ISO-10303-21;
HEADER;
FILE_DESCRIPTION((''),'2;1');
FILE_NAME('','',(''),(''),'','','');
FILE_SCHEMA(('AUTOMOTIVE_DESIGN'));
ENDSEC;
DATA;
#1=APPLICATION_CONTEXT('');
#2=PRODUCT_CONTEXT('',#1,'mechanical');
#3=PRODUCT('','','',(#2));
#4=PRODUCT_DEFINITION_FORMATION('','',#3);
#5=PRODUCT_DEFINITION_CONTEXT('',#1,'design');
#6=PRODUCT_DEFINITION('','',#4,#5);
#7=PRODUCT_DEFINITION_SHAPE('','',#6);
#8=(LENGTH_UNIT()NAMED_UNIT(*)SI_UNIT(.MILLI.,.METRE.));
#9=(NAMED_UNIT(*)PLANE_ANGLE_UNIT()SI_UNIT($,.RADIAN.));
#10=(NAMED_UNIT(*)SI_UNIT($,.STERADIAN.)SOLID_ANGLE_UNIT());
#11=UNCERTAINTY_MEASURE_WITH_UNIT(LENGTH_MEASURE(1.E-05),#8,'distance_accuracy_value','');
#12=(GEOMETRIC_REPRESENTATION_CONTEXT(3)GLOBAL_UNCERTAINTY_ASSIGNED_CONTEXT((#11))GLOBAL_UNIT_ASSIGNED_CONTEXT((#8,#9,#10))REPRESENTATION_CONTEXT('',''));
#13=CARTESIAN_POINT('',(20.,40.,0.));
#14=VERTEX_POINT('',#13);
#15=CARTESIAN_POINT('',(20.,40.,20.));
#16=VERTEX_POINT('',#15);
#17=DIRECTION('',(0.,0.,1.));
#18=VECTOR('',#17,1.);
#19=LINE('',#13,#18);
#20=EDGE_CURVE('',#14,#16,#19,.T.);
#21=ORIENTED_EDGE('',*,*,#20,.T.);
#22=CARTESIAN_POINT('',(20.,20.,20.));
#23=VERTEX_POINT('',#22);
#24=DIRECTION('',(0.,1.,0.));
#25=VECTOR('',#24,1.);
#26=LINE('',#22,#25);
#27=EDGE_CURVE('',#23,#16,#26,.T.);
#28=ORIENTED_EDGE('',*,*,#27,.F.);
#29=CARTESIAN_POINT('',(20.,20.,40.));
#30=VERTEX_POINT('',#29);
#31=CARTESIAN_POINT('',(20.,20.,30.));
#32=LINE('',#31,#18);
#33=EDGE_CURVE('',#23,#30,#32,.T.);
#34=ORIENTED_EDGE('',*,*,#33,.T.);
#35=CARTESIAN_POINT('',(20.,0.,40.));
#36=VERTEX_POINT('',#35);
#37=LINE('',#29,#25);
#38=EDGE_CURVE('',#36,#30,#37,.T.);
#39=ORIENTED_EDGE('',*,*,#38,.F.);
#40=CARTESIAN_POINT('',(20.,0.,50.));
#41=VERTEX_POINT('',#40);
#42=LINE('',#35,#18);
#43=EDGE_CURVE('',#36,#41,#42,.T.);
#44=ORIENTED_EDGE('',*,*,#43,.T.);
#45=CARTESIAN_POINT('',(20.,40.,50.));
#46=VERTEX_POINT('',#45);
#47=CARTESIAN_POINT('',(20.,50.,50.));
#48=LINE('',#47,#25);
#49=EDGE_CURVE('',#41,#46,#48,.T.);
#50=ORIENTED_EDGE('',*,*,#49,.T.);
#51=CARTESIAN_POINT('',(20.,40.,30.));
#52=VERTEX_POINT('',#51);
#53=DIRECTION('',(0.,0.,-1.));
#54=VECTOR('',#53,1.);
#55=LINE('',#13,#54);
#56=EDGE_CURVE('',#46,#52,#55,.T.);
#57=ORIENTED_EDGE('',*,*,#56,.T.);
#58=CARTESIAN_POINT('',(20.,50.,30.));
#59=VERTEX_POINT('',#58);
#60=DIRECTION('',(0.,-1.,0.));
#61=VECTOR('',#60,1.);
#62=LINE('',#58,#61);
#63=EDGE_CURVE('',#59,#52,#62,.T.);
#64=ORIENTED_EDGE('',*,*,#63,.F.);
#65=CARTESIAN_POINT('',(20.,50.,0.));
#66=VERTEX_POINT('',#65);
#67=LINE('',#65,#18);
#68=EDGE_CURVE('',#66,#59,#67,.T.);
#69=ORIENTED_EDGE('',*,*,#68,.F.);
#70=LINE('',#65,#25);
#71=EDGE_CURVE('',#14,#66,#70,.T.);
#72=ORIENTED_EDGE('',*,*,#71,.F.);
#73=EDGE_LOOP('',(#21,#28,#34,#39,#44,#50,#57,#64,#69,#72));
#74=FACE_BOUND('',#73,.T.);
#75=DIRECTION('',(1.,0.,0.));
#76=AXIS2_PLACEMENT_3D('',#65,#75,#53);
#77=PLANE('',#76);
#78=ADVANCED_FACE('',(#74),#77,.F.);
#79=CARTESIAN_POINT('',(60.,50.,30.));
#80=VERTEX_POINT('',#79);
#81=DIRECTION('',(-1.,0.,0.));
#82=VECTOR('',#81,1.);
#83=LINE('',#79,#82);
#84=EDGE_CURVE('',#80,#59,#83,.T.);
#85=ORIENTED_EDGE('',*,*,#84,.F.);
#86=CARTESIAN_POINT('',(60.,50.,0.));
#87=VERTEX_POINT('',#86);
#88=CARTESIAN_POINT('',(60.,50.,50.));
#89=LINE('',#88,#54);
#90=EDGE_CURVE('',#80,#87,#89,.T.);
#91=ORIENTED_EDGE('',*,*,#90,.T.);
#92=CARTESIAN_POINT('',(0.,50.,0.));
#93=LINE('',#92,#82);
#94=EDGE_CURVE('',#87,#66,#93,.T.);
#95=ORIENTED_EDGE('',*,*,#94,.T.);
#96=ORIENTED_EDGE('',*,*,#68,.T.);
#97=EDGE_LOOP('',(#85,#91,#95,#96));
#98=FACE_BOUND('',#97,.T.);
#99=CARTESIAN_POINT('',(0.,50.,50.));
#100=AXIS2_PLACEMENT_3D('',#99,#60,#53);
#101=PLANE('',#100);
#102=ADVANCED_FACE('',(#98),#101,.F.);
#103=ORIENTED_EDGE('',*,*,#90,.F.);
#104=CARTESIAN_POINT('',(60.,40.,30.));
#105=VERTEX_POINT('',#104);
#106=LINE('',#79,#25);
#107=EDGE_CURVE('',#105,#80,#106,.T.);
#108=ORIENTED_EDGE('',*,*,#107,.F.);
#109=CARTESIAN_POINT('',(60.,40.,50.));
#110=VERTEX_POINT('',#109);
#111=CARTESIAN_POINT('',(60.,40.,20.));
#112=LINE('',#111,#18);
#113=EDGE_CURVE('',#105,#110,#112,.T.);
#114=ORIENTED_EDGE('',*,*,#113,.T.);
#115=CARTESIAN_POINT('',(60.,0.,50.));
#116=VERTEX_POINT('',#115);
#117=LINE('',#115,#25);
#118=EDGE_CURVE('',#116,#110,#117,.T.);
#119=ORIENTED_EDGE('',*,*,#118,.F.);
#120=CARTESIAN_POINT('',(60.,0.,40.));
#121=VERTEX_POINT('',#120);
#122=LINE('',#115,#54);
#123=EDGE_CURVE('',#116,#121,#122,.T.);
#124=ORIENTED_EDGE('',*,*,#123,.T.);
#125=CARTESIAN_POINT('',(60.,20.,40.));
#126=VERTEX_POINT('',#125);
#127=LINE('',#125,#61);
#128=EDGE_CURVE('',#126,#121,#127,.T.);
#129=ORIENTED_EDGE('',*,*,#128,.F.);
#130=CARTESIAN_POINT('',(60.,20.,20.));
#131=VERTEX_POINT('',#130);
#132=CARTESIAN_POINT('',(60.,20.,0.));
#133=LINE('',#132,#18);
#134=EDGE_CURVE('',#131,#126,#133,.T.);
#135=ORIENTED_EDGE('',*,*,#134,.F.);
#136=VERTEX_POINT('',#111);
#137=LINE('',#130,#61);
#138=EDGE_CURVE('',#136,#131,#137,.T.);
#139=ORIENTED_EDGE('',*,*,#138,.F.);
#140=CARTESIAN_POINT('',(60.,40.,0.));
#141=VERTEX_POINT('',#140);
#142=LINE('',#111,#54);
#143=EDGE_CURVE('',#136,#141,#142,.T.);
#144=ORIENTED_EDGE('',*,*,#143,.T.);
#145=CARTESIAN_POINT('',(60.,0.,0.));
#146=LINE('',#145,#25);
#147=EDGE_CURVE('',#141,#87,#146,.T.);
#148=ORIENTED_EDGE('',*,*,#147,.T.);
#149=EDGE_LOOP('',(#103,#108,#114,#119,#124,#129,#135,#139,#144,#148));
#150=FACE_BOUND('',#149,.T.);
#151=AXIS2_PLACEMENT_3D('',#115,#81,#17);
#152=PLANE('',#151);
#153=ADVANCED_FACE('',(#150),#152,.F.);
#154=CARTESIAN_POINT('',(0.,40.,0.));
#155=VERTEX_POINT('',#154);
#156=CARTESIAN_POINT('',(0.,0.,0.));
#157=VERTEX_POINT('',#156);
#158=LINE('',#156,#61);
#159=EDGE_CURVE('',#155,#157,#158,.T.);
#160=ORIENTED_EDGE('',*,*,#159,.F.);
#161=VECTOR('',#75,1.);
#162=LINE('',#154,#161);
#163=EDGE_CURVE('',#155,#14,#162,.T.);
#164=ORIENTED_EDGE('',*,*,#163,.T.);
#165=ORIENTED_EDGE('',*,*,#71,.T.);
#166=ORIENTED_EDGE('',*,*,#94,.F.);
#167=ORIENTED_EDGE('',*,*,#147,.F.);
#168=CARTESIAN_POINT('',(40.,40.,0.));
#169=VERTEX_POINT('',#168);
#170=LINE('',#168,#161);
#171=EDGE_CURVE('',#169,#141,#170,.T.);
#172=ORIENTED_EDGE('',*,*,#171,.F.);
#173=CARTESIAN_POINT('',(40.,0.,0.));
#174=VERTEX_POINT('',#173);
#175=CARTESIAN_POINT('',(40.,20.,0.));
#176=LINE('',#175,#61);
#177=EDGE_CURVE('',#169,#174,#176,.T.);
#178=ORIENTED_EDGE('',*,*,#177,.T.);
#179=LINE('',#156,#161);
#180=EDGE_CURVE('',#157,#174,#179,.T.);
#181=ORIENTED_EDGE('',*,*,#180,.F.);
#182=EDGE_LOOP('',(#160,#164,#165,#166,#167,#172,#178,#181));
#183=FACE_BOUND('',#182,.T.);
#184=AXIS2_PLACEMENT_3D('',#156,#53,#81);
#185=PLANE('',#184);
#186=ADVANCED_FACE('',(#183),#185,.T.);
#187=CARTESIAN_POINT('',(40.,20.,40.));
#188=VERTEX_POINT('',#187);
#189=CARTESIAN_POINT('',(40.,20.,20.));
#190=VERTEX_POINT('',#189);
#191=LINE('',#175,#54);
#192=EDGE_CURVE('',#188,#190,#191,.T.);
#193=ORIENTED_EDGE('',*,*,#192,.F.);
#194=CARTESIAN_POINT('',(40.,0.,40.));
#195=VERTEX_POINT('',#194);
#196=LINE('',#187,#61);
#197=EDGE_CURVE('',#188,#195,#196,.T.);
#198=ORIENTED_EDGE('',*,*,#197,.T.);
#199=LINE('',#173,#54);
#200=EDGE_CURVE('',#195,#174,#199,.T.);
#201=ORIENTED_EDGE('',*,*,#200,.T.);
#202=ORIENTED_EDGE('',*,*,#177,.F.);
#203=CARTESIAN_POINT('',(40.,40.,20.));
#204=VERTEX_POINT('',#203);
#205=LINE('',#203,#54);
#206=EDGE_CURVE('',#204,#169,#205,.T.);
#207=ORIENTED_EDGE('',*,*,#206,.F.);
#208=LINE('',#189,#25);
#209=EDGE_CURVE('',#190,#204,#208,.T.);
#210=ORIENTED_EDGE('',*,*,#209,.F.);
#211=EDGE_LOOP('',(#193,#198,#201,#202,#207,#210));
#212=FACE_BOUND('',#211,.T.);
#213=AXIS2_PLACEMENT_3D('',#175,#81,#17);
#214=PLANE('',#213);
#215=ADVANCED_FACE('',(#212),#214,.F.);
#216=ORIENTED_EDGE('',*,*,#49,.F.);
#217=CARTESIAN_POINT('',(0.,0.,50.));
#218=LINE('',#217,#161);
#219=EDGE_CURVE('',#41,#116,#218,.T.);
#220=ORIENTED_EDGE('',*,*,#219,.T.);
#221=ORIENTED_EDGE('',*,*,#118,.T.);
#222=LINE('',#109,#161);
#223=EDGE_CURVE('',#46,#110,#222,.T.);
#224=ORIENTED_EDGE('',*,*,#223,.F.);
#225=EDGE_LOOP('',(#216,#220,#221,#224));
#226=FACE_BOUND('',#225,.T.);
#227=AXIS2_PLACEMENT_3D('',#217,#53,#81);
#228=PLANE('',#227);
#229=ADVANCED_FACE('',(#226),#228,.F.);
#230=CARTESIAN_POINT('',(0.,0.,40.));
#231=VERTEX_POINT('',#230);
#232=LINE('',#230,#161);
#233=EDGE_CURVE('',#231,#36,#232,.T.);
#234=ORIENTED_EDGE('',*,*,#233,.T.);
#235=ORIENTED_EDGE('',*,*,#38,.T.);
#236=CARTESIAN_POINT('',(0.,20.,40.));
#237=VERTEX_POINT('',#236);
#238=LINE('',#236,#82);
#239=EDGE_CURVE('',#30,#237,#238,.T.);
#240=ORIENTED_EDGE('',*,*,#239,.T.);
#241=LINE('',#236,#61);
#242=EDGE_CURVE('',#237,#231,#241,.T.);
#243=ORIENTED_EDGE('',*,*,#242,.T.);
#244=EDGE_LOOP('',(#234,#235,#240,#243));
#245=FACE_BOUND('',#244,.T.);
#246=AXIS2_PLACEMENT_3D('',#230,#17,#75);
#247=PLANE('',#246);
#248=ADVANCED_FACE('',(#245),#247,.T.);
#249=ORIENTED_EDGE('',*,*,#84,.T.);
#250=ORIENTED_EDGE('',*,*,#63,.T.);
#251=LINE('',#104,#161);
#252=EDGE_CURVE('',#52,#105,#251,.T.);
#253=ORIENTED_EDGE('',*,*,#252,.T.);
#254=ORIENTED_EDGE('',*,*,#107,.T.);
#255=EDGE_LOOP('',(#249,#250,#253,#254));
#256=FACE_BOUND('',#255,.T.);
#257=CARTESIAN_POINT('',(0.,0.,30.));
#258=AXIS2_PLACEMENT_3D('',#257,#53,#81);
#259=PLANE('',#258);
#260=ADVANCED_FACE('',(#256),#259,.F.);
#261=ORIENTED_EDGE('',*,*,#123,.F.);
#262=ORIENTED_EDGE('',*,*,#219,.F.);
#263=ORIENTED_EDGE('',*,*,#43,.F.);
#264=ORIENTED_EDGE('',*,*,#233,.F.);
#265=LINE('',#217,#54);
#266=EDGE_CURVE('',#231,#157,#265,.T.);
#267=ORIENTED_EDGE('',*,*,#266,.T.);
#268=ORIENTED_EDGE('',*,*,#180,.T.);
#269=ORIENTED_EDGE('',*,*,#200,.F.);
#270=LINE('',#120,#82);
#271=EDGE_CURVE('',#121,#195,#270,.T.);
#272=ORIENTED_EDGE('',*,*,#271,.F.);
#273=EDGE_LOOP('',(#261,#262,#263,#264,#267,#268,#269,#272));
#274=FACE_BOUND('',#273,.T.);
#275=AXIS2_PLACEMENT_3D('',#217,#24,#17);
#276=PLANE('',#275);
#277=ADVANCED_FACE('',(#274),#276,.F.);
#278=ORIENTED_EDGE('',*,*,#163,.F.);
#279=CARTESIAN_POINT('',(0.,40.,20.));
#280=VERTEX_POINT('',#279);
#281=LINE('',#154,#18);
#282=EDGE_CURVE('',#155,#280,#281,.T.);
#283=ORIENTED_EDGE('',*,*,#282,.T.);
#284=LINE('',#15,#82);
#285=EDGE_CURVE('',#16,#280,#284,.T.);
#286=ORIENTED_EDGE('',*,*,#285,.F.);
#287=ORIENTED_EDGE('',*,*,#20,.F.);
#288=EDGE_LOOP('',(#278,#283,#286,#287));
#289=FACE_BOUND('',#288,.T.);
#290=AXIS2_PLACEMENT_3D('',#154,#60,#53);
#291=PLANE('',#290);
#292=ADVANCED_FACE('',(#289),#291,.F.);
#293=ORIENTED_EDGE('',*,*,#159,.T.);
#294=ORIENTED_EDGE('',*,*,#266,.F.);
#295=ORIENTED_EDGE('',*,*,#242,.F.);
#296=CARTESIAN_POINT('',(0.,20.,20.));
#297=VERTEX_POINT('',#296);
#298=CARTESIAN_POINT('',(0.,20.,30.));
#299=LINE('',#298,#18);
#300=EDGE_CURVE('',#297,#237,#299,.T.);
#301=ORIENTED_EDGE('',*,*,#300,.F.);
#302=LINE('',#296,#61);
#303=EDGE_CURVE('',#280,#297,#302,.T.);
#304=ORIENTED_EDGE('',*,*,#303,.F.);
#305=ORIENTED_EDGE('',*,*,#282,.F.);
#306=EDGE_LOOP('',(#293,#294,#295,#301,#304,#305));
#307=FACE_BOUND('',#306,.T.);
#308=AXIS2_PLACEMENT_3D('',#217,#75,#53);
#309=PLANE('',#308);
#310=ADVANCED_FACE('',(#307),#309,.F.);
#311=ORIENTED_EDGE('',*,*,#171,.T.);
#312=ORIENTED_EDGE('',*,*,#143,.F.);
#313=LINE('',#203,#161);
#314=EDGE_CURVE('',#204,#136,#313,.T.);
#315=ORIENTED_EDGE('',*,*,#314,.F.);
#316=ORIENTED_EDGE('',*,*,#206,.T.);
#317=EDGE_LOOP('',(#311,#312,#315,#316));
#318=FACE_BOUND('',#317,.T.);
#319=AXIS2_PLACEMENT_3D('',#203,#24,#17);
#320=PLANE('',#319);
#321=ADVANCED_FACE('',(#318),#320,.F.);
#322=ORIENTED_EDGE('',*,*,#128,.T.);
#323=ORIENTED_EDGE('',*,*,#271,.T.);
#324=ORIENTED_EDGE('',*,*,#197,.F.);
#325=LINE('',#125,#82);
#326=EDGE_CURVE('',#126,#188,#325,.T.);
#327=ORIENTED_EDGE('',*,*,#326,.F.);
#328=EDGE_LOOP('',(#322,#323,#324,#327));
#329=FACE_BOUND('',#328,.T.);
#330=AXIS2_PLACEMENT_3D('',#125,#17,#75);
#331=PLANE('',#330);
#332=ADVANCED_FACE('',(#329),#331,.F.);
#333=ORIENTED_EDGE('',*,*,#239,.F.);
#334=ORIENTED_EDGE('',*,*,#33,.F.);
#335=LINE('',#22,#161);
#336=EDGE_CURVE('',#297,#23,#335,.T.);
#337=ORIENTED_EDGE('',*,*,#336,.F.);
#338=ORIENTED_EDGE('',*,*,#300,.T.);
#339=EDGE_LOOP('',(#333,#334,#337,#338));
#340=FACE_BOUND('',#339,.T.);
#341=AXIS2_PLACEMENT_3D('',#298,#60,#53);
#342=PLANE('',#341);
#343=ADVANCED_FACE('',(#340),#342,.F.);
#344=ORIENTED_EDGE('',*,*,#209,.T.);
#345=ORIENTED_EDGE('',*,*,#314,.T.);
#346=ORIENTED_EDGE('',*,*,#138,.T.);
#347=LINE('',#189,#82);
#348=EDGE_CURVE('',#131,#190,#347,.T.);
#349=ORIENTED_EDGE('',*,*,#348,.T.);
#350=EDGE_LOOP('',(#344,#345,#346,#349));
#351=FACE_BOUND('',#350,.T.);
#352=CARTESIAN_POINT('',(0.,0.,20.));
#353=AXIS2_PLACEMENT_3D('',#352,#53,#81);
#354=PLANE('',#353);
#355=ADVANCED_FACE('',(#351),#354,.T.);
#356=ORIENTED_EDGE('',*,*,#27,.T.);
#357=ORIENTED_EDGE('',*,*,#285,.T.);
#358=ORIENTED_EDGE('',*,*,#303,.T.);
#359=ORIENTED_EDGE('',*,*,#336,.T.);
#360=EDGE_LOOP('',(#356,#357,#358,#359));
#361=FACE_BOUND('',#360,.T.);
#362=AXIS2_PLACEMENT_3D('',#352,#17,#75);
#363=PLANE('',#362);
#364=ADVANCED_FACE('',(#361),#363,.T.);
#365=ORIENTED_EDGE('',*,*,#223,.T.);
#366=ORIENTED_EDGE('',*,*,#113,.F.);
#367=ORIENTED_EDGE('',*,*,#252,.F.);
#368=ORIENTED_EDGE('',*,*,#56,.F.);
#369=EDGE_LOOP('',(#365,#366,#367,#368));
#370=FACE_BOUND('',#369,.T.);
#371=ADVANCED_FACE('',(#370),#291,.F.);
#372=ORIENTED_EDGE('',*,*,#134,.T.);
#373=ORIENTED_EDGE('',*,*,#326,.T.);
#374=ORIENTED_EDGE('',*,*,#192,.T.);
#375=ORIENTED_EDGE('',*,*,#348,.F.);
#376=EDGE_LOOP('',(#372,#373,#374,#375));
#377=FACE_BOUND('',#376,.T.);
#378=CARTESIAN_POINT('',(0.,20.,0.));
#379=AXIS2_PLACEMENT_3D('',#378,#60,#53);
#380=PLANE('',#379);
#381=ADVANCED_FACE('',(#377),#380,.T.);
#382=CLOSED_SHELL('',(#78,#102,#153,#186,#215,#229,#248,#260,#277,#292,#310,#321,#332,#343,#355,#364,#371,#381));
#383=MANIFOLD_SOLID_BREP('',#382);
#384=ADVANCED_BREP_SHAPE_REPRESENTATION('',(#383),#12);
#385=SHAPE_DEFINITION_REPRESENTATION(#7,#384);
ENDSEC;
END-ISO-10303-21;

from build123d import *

# Parameters (mm, degrees)
SKETCH1_W           = 60
SKETCH1_H           = 50
BOSS_EXTRUDE1_DEPTH = 50
SKETCH2_W           = 20
SKETCH2_H           = 10
CUT_EXTRUDE1_DEPTH  = 50
SKETCH3_W           = 20
SKETCH3_H           = 20
CUT_EXTRUDE2_DEPTH  = 20
SKETCH4_W           = 40
SKETCH4_H           = 10
CUT_EXTRUDE3_DEPTH  = 30
SKETCH5_W           = 20
SKETCH5_H           = 20
CUT_EXTRUDE4_DEPTH  = 10
SKETCH6_W           = 20
SKETCH6_H           = 20
CUT_EXTRUDE5_DEPTH  = 10
SKETCH8_W           = 40
SKETCH8_H           = 10
BOSS_EXTRUDE2_DEPTH = 10
SKETCH9_W           = 20
SKETCH9_H           = 40
CUT_EXTRUDE6_DEPTH  = 20
SKETCH10_W          = 20
SKETCH10_H          = 20
CUT_EXTRUDE7_DEPTH  = 20


with BuildPart() as part:
    # Sketch1 → Boss-Extrude1 (new body)
    with BuildSketch(Plane.XY):
        with Locations((30, 25)):
            Rectangle(SKETCH1_W, SKETCH1_H)
    extrude(amount=BOSS_EXTRUDE1_DEPTH)

    # Sketch2 → Cut-Extrude1 (cut)
    with BuildSketch(Plane.XY.offset(50)):
        with Locations((10, 45)):
            Rectangle(SKETCH2_W, SKETCH2_H)
    extrude(amount=-CUT_EXTRUDE1_DEPTH, mode=Mode.SUBTRACT)

    # Sketch3 → Cut-Extrude2 (cut)
    with BuildSketch(Plane.XY.offset(50)):
        with Locations((10, 30)):
            Rectangle(SKETCH3_W, SKETCH3_H)
    extrude(amount=-CUT_EXTRUDE2_DEPTH, mode=Mode.SUBTRACT)

    # Sketch4 → Cut-Extrude3 (cut)
    with BuildSketch(Plane.XY.offset(50)):
        with Locations((40, 45)):
            Rectangle(SKETCH4_W, SKETCH4_H)
    extrude(amount=-CUT_EXTRUDE3_DEPTH, mode=Mode.SUBTRACT)

    # Sketch5 → Cut-Extrude4 (cut)
    with BuildSketch(Plane.XY.offset(30)):
        with Locations((10, 30)):
            Rectangle(SKETCH5_W, SKETCH5_H)
    extrude(amount=-CUT_EXTRUDE4_DEPTH, mode=Mode.SUBTRACT)

    # Sketch6 → Cut-Extrude5 (cut)
    with BuildSketch(Plane.XY.offset(50)):
        with Locations((10, 10)):
            Rectangle(SKETCH6_W, SKETCH6_H)
    extrude(amount=-CUT_EXTRUDE5_DEPTH, mode=Mode.SUBTRACT)

    # Sketch8 → Boss-Extrude2 (add)
    with BuildSketch(Plane.XY.offset(20)):
        with Locations((40, 45)):
            Rectangle(SKETCH8_W, SKETCH8_H)
    extrude(amount=BOSS_EXTRUDE2_DEPTH)

    # Sketch9 → Cut-Extrude6 (cut)
    with BuildSketch(Plane(origin=(0, 0, 0), x_dir=(-1, 0, 0), z_dir=(0, -1, 0))):
        with Locations((-50, -20)):
            Rectangle(SKETCH9_W, SKETCH9_H)
    extrude(amount=-CUT_EXTRUDE6_DEPTH, mode=Mode.SUBTRACT)

    # Sketch10 → Cut-Extrude7 (cut)
    with BuildSketch(Plane(origin=(0, 0, 0), x_dir=(-1, 0, 0), z_dir=(0, 0, -1))):
        with Locations((-50, 30)):
            Rectangle(SKETCH10_W, SKETCH10_H)
    extrude(amount=-CUT_EXTRUDE7_DEPTH, mode=Mode.SUBTRACT)


solid = part.part
